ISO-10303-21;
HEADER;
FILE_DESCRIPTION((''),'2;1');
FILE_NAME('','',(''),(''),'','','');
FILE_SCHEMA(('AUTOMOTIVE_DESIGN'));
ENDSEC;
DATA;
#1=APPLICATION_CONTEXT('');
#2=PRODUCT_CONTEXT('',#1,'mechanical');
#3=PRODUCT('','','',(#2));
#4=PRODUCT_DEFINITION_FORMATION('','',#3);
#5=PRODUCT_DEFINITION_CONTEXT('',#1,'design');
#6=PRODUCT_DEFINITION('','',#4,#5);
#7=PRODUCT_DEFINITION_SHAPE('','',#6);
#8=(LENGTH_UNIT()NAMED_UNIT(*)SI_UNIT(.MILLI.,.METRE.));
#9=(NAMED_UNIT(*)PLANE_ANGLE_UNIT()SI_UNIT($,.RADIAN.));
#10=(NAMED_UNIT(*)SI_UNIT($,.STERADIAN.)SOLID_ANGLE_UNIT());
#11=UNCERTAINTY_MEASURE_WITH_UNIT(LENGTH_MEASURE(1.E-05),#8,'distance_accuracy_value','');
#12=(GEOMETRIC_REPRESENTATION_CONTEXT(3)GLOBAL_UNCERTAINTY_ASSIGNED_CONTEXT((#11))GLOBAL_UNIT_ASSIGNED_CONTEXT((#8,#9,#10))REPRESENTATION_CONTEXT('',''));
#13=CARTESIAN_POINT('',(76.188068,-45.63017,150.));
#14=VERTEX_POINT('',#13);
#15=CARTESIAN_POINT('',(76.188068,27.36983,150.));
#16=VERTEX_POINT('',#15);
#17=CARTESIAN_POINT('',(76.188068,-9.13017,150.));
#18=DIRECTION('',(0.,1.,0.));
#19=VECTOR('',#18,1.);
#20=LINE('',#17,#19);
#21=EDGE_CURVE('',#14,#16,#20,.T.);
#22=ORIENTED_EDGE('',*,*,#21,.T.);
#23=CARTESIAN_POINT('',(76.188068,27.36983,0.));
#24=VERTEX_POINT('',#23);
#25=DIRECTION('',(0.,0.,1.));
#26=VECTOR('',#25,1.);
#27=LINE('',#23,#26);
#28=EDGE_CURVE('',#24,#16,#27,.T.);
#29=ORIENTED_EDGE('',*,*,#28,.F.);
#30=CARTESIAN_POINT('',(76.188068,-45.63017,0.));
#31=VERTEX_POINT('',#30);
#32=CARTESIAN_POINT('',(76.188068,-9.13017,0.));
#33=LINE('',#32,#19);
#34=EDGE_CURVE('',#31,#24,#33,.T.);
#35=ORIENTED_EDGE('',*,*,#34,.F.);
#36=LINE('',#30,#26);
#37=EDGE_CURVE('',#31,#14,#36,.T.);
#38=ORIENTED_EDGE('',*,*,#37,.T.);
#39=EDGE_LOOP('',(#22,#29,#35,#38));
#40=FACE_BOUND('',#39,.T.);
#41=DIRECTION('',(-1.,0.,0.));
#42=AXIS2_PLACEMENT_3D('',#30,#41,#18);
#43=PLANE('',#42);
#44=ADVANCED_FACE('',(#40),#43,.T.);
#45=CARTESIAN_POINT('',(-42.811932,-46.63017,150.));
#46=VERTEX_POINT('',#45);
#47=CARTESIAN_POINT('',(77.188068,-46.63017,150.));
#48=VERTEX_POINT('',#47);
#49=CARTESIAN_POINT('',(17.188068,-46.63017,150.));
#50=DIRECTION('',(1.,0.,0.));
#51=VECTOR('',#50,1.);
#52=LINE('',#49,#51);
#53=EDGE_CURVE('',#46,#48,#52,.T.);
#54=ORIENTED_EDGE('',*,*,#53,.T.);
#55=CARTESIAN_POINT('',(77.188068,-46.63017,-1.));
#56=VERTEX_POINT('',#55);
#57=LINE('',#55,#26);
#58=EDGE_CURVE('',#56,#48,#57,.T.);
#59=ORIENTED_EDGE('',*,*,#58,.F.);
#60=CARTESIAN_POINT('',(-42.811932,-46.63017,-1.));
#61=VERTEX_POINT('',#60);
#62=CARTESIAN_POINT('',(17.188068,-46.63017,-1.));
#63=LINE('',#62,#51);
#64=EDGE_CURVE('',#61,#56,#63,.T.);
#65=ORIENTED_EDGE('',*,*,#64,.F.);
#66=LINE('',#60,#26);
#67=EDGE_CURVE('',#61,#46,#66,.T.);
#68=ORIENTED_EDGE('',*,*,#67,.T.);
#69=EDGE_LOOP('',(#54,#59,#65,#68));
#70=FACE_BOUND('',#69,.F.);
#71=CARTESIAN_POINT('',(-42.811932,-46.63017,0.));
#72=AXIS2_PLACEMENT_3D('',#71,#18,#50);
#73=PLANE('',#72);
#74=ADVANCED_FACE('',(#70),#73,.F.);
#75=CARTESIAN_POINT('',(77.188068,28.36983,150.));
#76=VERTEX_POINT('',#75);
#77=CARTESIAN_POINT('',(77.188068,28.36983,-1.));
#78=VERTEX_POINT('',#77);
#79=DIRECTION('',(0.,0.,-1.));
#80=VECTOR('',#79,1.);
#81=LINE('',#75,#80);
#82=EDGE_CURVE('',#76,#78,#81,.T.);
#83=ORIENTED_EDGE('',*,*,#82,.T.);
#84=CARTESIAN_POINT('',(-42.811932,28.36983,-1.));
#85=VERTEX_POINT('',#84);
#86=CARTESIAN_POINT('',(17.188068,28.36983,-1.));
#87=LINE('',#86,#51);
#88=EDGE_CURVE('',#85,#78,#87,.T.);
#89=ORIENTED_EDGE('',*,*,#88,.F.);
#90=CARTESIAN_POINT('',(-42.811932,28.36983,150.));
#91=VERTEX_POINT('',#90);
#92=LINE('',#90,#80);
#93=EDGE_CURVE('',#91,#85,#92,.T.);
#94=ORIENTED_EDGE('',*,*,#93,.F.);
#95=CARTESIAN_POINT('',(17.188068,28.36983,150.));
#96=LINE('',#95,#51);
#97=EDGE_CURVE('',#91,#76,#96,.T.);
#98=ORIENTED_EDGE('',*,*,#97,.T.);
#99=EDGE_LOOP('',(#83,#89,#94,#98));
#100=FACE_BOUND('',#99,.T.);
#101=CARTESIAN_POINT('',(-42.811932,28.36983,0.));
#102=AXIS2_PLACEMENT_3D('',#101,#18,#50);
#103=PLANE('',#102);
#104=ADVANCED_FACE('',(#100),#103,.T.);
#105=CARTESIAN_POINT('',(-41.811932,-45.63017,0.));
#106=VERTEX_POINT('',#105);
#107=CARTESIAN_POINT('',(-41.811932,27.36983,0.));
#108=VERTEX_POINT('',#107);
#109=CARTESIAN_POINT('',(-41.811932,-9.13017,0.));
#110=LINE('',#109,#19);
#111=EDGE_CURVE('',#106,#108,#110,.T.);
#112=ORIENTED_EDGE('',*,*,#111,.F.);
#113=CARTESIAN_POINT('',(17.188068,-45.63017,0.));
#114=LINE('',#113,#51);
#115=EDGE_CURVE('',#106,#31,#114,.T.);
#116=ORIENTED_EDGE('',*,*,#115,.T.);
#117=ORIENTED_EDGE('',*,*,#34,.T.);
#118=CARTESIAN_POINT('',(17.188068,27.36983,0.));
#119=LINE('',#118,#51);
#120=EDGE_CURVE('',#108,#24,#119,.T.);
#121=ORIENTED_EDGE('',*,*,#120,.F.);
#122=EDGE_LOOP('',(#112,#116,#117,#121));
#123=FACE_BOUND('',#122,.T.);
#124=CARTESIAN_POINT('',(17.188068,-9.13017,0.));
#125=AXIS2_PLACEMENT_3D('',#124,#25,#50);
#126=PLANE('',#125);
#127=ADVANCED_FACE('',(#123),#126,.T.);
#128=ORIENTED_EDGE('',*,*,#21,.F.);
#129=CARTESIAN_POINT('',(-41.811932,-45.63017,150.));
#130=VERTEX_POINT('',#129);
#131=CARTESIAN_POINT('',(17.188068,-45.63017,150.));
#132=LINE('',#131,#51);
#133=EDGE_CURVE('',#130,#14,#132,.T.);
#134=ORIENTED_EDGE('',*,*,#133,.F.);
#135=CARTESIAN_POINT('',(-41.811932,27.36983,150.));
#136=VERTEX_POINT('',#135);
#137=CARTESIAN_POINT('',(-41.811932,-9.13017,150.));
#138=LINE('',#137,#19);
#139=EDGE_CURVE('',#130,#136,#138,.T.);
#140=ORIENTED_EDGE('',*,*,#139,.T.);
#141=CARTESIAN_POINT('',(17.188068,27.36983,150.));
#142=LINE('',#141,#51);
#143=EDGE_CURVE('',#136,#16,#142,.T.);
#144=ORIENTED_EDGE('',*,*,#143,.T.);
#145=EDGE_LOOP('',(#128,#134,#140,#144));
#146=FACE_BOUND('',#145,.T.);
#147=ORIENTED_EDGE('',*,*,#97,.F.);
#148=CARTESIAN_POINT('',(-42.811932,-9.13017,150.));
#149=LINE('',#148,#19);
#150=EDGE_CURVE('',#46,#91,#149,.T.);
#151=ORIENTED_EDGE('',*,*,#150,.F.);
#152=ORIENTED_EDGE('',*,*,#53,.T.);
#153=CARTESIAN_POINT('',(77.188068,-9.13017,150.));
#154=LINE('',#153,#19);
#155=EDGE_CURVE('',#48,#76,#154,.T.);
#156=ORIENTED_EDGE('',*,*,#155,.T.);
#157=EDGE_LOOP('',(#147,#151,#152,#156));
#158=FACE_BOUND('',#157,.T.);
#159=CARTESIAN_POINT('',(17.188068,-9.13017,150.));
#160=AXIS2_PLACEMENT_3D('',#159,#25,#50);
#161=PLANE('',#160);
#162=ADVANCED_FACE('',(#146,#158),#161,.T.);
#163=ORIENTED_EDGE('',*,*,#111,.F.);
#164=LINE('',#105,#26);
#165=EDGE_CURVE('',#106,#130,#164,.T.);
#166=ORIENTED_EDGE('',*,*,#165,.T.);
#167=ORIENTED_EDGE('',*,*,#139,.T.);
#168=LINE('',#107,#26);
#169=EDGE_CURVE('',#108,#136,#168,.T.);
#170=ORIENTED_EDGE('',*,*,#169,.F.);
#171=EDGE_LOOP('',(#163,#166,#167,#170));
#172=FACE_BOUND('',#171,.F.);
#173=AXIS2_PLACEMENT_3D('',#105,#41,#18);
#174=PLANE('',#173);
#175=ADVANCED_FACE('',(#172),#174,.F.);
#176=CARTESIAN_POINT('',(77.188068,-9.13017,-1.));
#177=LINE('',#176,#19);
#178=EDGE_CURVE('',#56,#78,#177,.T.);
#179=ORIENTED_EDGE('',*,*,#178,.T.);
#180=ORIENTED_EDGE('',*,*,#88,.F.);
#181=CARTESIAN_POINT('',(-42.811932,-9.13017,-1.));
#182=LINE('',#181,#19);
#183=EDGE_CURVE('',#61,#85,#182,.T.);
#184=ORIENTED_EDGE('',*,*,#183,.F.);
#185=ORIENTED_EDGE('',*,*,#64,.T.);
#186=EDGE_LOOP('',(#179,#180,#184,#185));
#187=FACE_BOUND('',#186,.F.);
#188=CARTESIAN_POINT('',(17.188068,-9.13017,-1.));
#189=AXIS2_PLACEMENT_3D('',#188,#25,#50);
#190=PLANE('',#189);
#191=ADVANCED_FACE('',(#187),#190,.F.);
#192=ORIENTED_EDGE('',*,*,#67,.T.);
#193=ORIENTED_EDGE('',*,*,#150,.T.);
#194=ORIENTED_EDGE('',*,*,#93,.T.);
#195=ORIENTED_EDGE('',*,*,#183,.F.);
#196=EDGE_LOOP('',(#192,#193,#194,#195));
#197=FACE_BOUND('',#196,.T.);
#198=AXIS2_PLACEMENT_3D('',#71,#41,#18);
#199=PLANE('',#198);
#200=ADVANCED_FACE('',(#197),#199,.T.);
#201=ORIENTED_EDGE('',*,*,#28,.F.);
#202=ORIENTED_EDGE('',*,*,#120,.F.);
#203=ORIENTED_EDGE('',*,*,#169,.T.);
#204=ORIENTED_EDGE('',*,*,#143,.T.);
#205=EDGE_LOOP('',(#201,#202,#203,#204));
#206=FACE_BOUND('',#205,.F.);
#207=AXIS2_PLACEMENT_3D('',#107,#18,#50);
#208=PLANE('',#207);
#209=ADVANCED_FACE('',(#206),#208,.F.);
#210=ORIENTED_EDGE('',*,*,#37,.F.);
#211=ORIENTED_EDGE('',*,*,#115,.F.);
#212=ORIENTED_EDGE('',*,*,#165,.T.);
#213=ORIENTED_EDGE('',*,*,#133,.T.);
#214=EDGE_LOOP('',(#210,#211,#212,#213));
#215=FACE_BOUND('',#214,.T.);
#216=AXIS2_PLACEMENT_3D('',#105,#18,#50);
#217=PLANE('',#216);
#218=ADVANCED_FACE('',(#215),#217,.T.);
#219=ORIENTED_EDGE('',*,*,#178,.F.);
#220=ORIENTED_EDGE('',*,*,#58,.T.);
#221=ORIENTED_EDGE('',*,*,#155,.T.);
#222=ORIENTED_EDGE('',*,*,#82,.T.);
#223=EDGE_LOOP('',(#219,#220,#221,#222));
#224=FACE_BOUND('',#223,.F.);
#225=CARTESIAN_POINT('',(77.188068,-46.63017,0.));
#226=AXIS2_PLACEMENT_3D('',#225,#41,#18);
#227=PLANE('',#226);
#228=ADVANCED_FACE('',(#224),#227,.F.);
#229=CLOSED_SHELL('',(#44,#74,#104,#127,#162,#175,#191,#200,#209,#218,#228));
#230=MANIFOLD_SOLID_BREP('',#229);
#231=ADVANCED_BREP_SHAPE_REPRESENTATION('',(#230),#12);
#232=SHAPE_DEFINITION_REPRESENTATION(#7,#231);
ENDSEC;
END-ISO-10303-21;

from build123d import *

# Parameters (mm, degrees)
F0_W     = 120
F0_H     = 75
F2_DEPTH = 1
F1_W     = 120
F1_H     = 75
F1_W_2   = 118
F1_H_2   = 73
F3_DEPTH = 150


with BuildPart() as f2:
    # F0 (on Top) → F2 (new body)
    with BuildSketch(Plane.XY):
        with Locations((17.188068, -9.13017)):
            Rectangle(F0_W, F0_H)
    extrude(amount=-F2_DEPTH)

    # F1 (on Top) → F3 (join)
    with BuildSketch(Plane.XY):
        with Locations((17.188068, -9.13017)):
            Rectangle(F1_W, F1_H)
        with Locations((17.188068, -9.13017)):
            Rectangle(F1_W_2, F1_H_2, mode=Mode.SUBTRACT)
    extrude(amount=F3_DEPTH)


solid = f2.part
